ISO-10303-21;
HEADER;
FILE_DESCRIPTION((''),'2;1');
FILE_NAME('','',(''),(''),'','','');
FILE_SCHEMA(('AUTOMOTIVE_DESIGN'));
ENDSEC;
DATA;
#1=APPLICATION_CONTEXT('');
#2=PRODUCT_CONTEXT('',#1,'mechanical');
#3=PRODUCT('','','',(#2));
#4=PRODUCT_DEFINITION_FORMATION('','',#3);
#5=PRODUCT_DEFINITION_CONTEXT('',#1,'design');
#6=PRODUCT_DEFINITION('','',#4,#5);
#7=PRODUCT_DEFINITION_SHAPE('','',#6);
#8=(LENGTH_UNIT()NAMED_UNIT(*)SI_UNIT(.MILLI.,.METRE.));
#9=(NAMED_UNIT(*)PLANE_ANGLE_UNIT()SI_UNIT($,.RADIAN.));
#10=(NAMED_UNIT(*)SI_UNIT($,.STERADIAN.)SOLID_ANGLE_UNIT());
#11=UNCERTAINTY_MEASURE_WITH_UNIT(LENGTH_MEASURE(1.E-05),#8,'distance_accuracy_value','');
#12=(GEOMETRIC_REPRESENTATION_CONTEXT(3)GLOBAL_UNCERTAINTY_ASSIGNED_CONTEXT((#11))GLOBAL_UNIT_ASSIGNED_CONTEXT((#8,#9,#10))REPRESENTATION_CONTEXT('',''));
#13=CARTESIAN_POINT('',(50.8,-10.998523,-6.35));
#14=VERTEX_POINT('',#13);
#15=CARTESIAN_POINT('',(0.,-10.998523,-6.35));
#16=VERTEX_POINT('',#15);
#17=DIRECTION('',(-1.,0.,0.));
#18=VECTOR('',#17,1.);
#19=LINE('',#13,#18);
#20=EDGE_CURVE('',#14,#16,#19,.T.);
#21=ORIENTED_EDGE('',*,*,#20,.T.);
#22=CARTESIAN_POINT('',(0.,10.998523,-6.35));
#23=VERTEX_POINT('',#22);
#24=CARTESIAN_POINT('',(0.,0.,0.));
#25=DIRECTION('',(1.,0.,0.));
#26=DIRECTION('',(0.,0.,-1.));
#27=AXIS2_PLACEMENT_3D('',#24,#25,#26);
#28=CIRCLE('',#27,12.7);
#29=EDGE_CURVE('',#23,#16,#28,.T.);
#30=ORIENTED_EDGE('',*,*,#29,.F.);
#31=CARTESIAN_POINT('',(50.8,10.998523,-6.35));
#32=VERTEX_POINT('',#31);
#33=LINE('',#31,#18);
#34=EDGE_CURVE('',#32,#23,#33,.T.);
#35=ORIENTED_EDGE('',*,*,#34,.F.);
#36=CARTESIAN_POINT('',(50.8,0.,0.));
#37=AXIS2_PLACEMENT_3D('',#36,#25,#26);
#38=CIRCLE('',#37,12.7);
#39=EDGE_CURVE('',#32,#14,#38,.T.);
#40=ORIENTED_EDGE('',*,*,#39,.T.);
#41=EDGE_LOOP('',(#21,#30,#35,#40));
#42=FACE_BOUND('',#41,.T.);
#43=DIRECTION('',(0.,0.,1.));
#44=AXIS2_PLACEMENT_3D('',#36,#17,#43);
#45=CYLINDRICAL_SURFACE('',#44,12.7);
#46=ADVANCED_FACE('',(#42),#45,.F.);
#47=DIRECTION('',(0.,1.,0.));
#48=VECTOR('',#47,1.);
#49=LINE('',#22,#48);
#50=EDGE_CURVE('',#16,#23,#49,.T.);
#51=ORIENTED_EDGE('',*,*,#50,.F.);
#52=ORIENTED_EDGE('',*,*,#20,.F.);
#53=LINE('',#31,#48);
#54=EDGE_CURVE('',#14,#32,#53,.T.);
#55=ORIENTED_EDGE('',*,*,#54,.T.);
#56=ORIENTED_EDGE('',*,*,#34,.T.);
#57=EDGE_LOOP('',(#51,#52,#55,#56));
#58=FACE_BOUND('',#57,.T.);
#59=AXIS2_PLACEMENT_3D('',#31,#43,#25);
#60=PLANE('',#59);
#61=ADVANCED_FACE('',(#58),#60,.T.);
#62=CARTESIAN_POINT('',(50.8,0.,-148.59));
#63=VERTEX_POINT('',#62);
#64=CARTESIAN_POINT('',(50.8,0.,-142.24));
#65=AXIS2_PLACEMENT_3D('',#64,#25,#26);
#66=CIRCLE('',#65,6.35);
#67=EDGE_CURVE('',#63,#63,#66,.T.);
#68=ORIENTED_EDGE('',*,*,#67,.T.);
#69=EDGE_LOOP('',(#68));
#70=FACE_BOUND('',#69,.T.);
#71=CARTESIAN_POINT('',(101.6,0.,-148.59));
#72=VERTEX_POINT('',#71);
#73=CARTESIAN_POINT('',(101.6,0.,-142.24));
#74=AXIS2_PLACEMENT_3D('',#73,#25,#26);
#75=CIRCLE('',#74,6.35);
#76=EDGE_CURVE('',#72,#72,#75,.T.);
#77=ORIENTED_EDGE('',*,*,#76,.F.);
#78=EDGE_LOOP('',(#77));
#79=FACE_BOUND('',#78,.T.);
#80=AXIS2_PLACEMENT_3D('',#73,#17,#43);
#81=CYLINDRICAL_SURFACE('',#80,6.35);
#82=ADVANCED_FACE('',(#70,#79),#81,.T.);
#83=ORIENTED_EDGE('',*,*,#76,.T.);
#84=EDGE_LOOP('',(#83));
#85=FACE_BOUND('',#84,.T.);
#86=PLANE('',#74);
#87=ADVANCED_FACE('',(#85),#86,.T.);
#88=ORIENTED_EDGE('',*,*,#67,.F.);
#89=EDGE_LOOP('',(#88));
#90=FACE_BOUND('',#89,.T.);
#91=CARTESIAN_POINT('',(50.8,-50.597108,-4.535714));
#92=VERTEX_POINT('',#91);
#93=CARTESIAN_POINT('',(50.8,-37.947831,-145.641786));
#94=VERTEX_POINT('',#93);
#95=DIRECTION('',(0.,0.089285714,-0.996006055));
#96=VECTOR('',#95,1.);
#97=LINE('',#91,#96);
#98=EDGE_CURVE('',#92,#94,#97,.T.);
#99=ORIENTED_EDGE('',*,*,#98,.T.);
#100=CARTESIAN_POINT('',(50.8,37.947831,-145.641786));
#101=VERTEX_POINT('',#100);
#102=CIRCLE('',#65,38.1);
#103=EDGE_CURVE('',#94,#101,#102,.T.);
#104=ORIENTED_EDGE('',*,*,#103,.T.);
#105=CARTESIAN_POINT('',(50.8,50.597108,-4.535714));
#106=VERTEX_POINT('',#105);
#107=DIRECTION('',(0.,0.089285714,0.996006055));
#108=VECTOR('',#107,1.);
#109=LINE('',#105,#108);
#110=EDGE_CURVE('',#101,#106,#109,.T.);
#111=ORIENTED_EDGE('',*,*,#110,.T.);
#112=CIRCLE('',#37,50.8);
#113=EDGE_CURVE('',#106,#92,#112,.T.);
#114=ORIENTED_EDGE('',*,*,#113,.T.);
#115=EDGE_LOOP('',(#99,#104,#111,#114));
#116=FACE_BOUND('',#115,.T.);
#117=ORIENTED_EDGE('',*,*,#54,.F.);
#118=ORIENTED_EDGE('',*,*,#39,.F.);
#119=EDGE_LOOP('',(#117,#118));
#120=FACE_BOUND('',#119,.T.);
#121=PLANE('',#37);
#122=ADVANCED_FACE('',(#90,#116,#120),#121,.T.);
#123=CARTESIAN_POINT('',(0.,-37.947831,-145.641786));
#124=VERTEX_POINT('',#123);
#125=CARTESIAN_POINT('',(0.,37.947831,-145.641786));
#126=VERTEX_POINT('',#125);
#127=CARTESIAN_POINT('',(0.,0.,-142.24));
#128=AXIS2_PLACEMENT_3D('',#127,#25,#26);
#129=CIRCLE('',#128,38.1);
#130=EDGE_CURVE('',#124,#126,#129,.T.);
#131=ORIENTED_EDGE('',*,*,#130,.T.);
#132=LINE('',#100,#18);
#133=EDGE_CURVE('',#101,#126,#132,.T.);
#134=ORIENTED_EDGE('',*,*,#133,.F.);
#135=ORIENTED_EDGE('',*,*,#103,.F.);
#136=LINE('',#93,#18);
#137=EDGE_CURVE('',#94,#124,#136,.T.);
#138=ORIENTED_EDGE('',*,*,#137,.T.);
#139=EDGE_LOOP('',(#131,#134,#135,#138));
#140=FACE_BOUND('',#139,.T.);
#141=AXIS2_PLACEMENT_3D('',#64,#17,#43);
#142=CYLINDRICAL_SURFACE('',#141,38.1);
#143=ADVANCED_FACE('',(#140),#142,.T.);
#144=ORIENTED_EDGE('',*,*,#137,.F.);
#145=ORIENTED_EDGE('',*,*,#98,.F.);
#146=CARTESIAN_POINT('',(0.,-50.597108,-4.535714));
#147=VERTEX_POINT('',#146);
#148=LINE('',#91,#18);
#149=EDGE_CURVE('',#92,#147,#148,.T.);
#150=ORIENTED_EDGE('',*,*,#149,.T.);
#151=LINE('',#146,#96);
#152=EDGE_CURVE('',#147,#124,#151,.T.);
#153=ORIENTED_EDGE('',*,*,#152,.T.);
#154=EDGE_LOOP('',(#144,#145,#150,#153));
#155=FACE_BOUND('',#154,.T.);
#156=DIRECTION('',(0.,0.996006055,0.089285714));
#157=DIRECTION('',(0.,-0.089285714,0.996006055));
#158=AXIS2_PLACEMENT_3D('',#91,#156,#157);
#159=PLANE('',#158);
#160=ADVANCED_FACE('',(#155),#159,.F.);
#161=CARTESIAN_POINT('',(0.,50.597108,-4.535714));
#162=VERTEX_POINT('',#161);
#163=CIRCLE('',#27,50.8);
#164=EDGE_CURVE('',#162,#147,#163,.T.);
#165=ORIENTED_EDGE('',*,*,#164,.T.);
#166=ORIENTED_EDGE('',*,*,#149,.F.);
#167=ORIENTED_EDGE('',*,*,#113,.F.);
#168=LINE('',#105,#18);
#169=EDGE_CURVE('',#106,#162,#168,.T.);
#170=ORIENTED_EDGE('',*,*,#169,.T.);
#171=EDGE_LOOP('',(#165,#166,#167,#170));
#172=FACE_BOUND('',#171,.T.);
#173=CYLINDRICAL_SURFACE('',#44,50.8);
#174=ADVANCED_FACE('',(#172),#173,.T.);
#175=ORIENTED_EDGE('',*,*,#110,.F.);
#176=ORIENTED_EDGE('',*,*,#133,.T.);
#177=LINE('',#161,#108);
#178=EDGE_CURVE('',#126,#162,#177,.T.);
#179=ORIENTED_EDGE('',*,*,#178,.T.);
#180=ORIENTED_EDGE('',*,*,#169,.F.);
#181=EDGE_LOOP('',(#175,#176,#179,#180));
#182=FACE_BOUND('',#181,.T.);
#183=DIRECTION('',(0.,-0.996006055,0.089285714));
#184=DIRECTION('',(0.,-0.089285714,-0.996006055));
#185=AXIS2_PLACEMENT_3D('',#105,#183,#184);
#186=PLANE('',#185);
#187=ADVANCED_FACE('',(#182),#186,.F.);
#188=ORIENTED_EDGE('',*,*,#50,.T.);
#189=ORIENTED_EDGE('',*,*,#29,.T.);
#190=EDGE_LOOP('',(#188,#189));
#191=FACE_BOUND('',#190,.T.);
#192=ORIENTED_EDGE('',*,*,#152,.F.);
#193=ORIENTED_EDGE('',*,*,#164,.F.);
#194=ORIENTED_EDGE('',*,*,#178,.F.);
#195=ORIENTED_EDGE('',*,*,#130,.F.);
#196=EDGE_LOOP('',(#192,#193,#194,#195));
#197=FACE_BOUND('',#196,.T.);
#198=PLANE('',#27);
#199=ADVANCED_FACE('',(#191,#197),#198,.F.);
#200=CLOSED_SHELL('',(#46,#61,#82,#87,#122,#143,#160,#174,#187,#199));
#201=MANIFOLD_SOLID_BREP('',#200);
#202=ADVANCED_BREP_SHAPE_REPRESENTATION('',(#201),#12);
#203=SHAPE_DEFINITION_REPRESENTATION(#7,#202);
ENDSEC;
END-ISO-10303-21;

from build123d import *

# Parameters (mm, degrees)
BOSS_EXTRUDE1_DEPTH = 50.8
SKETCH2_R           = 6.35
BOSS_EXTRUDE2_DEPTH = 50.8


with BuildPart() as part:
    # Sketch1 → Boss-Extrude1 (new body)
    with BuildSketch(Plane(origin=(0, 0, 0), x_dir=(0, 0, -1), z_dir=(1, 0, 0))):
        with BuildLine():
            Line((4.535714286, 50.597107585), (145.641785714, 37.947830688))
            ThreePointArc((145.641785714, 37.947830688), (180.34, 0), (145.641785714, -37.947830688))
            Line((145.641785714, -37.947830688), (4.535714286, -50.597107585))
            ThreePointArc((4.535714286, -50.597107585), (-50.8, 0), (4.535714286, 50.597107585))
        make_face()
        with BuildLine():
            Line((6.35, 10.998522628), (6.35, -10.998522628))
            ThreePointArc((6.35, -10.998522628), (-12.7, 0), (6.35, 10.998522628))
        make_face(mode=Mode.SUBTRACT)
    extrude(amount=BOSS_EXTRUDE1_DEPTH)

    # Sketch2 → Boss-Extrude2 (add)
    with BuildSketch(Plane(origin=(50.8, 0, 0), x_dir=(0, 0, -1), z_dir=(1, 0, 0))):
        with Locations((142.24, 0)):
            Circle(SKETCH2_R)
    extrude(amount=BOSS_EXTRUDE2_DEPTH)


solid = part.part
